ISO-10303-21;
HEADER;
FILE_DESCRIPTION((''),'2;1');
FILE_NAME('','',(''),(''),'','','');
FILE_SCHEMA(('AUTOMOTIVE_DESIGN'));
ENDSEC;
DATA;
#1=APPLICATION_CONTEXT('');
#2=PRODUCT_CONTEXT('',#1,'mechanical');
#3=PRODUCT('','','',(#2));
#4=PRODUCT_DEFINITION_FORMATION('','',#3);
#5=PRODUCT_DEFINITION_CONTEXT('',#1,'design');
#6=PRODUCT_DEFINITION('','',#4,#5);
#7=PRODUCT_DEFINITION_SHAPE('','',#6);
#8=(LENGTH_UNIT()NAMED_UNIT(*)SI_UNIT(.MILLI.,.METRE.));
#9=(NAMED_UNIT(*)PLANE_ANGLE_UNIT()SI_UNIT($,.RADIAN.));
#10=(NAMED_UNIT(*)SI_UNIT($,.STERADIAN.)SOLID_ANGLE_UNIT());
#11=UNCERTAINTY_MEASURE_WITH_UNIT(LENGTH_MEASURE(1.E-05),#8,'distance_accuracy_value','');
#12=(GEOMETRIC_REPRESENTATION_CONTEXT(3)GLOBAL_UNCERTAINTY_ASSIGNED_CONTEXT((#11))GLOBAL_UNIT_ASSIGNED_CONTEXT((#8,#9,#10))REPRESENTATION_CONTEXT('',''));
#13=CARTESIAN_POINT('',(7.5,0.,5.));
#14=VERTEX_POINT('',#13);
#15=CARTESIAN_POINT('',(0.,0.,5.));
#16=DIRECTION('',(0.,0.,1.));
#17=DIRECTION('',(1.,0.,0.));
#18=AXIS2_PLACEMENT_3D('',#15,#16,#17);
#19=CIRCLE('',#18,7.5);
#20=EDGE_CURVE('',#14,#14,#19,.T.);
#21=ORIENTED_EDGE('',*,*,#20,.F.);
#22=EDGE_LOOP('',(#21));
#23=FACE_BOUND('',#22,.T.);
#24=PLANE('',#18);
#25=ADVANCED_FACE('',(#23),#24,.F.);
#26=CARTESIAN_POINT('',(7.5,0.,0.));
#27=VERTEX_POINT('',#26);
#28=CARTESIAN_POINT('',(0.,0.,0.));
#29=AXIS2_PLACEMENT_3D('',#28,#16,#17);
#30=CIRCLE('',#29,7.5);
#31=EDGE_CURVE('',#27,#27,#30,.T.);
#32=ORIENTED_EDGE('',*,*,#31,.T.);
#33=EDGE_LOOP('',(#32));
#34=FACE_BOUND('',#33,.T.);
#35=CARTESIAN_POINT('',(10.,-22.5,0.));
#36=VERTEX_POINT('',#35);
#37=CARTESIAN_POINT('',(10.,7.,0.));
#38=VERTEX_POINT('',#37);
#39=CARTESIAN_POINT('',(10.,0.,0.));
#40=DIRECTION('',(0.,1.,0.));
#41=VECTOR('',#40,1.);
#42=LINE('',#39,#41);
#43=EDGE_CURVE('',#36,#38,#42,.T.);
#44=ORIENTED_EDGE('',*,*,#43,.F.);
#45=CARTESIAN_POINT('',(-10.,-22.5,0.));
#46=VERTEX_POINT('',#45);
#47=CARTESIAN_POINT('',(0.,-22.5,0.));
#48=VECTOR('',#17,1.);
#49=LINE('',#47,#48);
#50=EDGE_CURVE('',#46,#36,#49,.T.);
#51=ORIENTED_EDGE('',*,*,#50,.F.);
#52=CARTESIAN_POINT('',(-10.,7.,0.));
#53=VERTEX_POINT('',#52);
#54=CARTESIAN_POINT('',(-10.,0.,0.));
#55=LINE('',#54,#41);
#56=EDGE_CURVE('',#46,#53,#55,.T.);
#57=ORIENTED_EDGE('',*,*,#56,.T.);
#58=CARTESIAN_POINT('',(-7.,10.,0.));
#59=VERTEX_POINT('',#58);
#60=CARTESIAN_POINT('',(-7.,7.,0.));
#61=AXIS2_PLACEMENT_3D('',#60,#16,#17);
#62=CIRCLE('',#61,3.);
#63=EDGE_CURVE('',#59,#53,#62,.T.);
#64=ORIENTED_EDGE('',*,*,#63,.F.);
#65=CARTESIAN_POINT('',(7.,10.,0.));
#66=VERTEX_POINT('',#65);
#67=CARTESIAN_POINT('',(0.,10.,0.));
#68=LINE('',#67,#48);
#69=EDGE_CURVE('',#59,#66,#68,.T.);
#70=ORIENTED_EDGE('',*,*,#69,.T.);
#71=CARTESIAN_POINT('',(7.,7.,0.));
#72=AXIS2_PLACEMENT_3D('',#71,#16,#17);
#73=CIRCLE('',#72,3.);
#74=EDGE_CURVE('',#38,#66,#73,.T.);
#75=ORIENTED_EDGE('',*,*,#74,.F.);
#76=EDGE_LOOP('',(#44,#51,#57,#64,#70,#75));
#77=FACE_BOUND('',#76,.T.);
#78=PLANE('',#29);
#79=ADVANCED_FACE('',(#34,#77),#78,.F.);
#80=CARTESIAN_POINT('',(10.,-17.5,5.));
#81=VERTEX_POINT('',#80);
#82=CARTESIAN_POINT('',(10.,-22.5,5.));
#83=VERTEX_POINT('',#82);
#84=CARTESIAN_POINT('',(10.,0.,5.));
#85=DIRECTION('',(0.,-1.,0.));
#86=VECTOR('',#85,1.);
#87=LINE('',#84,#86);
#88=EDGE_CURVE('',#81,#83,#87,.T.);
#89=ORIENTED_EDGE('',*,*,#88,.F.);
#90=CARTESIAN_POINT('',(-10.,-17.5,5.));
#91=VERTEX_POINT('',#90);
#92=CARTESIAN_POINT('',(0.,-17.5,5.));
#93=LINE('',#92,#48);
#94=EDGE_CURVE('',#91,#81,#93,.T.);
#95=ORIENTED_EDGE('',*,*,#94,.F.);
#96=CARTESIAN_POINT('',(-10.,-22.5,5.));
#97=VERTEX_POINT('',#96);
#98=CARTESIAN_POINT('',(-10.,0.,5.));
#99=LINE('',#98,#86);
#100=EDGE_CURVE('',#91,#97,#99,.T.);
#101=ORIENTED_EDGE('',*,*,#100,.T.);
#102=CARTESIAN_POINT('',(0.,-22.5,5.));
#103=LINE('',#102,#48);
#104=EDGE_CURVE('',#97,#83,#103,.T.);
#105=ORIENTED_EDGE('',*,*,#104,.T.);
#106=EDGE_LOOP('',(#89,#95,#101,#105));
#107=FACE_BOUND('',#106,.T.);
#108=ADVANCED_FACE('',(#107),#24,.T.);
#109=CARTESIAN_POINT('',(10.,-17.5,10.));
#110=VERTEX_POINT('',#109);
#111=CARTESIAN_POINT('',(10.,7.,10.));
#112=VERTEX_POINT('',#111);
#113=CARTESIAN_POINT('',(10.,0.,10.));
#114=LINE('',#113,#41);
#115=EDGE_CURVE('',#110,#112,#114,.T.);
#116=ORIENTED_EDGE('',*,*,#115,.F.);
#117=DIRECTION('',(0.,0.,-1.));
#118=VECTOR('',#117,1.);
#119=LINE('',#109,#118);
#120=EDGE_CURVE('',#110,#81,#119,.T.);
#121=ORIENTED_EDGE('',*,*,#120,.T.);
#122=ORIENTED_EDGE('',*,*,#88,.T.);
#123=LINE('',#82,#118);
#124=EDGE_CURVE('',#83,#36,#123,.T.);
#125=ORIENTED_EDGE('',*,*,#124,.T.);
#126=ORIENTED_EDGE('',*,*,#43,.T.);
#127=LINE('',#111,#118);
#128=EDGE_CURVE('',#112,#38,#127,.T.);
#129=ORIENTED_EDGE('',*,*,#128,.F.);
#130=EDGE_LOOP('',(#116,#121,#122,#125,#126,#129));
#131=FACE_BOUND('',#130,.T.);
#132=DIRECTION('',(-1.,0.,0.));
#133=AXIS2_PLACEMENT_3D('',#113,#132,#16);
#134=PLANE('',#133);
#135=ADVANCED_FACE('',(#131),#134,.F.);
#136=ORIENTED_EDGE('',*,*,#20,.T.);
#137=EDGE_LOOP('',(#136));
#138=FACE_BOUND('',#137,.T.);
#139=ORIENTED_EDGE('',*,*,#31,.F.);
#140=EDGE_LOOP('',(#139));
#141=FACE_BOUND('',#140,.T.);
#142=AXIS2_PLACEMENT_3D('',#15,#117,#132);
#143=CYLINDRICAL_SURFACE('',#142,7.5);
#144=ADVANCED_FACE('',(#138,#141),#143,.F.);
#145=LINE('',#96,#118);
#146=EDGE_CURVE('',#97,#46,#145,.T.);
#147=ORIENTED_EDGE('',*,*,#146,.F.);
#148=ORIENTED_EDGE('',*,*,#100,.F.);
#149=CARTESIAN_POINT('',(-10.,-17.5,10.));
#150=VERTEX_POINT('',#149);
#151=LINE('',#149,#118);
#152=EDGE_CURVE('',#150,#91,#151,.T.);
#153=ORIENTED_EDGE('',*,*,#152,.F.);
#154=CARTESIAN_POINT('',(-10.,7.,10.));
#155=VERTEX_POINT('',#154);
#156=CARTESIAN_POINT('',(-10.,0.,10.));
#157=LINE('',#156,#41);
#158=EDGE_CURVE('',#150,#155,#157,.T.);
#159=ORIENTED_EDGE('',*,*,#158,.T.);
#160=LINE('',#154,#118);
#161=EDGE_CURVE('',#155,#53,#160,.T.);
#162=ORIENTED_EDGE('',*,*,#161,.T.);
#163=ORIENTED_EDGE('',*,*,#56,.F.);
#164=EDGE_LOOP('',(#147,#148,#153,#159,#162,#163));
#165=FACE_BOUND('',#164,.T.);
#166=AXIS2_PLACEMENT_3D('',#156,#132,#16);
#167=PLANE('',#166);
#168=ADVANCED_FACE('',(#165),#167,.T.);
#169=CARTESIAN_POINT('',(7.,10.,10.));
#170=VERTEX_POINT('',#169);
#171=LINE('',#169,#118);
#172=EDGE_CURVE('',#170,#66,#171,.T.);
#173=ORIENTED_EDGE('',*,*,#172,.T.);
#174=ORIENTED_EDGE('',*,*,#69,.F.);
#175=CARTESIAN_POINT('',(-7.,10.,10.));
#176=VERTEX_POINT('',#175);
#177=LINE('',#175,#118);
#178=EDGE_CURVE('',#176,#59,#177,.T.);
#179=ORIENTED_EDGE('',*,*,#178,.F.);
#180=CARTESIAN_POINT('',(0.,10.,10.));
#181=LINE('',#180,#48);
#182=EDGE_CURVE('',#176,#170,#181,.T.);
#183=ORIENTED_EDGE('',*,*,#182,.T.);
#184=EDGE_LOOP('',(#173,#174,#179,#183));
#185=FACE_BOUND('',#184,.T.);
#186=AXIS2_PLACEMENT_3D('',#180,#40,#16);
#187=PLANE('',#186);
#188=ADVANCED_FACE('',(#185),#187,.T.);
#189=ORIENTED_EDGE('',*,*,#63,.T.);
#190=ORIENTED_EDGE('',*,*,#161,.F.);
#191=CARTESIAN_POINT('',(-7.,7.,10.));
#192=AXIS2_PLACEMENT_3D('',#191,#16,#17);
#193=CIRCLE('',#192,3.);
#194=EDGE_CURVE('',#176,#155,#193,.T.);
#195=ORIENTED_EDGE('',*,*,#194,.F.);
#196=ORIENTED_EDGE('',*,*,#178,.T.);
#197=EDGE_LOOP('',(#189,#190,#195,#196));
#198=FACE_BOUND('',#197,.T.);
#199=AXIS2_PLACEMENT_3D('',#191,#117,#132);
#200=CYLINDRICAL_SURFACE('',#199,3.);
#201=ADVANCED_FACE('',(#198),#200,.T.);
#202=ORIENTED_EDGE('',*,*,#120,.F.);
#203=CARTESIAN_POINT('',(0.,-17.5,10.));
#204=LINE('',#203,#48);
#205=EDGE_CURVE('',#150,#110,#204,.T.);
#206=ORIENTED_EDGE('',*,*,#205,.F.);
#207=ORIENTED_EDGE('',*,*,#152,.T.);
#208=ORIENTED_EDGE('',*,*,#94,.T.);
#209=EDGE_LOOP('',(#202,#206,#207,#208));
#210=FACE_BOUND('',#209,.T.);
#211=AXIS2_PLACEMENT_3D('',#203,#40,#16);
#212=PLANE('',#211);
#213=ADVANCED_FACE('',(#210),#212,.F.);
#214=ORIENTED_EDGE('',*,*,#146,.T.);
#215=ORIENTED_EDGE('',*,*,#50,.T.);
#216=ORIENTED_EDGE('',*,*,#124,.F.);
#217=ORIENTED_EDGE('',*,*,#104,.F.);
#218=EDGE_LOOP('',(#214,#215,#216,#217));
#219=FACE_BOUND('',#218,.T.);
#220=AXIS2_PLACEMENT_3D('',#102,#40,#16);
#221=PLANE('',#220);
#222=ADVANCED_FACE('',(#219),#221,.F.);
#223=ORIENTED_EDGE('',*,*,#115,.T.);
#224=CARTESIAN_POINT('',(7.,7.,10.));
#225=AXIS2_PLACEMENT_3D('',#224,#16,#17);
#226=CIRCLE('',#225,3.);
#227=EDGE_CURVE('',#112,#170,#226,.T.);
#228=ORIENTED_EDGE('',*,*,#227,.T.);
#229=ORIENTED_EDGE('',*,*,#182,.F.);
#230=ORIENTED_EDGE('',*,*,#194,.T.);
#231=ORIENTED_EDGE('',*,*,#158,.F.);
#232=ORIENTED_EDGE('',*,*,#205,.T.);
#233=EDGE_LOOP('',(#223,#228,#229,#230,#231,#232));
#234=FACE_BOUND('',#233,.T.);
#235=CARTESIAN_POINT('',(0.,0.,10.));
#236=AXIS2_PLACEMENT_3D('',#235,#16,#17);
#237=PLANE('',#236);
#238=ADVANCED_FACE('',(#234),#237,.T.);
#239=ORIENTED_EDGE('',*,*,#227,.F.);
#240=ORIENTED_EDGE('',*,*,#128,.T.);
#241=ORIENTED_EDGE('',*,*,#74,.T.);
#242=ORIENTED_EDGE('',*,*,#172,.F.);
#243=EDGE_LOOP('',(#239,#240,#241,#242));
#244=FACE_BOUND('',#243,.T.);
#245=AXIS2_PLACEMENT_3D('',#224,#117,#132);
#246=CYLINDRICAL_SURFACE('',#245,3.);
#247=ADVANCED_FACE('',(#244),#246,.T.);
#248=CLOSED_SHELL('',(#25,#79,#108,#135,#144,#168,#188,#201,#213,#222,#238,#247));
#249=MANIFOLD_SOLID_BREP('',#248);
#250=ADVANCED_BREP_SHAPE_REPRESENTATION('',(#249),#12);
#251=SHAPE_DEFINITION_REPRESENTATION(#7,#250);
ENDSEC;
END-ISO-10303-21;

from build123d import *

# Parameters (mm, degrees)
SKETCH_1_R          = 7.5
EXTRUDE_1_DEPTH     = 10
SKETCH_1_3_W        = 20
SKETCH_1_3_H        = 5
EXTRUDE_2_DEPTH     = 5
SKETCH_1_4_R        = 7.5
CUT_EXTRUDE_1_DEPTH = 5


with BuildPart() as part:
    # Sketch 1 → Extrude 1 (new body)
    with BuildSketch(Plane.XY):
        with BuildLine():
            Line((-7, 10), (7, 10))
            ThreePointArc((7, 10), (9.121320344, 9.121320344), (10, 7))
            Line((10, 7), (10, -17.5))
            Line((10, -17.5), (-10, -17.5))
            Line((-10, -17.5), (-10, 7))
            ThreePointArc((-10, 7), (-9.121320344, 9.121320344), (-7, 10))
        make_face()
        Circle(SKETCH_1_R, mode=Mode.SUBTRACT)
        Circle(SKETCH_1_R)
    extrude(amount=EXTRUDE_1_DEPTH)

    # Sketch 1_3 → Extrude 2 (add)
    with BuildSketch(Plane.XY):
        with Locations((0, -20)):
            Rectangle(SKETCH_1_3_W, SKETCH_1_3_H)
    extrude(amount=EXTRUDE_2_DEPTH)

    # Sketch 1_4 → Cut-Extrude 1 (cut)
    with BuildSketch(Plane.XY):
        Circle(SKETCH_1_4_R)
    extrude(amount=CUT_EXTRUDE_1_DEPTH, mode=Mode.SUBTRACT)


solid = part.part
